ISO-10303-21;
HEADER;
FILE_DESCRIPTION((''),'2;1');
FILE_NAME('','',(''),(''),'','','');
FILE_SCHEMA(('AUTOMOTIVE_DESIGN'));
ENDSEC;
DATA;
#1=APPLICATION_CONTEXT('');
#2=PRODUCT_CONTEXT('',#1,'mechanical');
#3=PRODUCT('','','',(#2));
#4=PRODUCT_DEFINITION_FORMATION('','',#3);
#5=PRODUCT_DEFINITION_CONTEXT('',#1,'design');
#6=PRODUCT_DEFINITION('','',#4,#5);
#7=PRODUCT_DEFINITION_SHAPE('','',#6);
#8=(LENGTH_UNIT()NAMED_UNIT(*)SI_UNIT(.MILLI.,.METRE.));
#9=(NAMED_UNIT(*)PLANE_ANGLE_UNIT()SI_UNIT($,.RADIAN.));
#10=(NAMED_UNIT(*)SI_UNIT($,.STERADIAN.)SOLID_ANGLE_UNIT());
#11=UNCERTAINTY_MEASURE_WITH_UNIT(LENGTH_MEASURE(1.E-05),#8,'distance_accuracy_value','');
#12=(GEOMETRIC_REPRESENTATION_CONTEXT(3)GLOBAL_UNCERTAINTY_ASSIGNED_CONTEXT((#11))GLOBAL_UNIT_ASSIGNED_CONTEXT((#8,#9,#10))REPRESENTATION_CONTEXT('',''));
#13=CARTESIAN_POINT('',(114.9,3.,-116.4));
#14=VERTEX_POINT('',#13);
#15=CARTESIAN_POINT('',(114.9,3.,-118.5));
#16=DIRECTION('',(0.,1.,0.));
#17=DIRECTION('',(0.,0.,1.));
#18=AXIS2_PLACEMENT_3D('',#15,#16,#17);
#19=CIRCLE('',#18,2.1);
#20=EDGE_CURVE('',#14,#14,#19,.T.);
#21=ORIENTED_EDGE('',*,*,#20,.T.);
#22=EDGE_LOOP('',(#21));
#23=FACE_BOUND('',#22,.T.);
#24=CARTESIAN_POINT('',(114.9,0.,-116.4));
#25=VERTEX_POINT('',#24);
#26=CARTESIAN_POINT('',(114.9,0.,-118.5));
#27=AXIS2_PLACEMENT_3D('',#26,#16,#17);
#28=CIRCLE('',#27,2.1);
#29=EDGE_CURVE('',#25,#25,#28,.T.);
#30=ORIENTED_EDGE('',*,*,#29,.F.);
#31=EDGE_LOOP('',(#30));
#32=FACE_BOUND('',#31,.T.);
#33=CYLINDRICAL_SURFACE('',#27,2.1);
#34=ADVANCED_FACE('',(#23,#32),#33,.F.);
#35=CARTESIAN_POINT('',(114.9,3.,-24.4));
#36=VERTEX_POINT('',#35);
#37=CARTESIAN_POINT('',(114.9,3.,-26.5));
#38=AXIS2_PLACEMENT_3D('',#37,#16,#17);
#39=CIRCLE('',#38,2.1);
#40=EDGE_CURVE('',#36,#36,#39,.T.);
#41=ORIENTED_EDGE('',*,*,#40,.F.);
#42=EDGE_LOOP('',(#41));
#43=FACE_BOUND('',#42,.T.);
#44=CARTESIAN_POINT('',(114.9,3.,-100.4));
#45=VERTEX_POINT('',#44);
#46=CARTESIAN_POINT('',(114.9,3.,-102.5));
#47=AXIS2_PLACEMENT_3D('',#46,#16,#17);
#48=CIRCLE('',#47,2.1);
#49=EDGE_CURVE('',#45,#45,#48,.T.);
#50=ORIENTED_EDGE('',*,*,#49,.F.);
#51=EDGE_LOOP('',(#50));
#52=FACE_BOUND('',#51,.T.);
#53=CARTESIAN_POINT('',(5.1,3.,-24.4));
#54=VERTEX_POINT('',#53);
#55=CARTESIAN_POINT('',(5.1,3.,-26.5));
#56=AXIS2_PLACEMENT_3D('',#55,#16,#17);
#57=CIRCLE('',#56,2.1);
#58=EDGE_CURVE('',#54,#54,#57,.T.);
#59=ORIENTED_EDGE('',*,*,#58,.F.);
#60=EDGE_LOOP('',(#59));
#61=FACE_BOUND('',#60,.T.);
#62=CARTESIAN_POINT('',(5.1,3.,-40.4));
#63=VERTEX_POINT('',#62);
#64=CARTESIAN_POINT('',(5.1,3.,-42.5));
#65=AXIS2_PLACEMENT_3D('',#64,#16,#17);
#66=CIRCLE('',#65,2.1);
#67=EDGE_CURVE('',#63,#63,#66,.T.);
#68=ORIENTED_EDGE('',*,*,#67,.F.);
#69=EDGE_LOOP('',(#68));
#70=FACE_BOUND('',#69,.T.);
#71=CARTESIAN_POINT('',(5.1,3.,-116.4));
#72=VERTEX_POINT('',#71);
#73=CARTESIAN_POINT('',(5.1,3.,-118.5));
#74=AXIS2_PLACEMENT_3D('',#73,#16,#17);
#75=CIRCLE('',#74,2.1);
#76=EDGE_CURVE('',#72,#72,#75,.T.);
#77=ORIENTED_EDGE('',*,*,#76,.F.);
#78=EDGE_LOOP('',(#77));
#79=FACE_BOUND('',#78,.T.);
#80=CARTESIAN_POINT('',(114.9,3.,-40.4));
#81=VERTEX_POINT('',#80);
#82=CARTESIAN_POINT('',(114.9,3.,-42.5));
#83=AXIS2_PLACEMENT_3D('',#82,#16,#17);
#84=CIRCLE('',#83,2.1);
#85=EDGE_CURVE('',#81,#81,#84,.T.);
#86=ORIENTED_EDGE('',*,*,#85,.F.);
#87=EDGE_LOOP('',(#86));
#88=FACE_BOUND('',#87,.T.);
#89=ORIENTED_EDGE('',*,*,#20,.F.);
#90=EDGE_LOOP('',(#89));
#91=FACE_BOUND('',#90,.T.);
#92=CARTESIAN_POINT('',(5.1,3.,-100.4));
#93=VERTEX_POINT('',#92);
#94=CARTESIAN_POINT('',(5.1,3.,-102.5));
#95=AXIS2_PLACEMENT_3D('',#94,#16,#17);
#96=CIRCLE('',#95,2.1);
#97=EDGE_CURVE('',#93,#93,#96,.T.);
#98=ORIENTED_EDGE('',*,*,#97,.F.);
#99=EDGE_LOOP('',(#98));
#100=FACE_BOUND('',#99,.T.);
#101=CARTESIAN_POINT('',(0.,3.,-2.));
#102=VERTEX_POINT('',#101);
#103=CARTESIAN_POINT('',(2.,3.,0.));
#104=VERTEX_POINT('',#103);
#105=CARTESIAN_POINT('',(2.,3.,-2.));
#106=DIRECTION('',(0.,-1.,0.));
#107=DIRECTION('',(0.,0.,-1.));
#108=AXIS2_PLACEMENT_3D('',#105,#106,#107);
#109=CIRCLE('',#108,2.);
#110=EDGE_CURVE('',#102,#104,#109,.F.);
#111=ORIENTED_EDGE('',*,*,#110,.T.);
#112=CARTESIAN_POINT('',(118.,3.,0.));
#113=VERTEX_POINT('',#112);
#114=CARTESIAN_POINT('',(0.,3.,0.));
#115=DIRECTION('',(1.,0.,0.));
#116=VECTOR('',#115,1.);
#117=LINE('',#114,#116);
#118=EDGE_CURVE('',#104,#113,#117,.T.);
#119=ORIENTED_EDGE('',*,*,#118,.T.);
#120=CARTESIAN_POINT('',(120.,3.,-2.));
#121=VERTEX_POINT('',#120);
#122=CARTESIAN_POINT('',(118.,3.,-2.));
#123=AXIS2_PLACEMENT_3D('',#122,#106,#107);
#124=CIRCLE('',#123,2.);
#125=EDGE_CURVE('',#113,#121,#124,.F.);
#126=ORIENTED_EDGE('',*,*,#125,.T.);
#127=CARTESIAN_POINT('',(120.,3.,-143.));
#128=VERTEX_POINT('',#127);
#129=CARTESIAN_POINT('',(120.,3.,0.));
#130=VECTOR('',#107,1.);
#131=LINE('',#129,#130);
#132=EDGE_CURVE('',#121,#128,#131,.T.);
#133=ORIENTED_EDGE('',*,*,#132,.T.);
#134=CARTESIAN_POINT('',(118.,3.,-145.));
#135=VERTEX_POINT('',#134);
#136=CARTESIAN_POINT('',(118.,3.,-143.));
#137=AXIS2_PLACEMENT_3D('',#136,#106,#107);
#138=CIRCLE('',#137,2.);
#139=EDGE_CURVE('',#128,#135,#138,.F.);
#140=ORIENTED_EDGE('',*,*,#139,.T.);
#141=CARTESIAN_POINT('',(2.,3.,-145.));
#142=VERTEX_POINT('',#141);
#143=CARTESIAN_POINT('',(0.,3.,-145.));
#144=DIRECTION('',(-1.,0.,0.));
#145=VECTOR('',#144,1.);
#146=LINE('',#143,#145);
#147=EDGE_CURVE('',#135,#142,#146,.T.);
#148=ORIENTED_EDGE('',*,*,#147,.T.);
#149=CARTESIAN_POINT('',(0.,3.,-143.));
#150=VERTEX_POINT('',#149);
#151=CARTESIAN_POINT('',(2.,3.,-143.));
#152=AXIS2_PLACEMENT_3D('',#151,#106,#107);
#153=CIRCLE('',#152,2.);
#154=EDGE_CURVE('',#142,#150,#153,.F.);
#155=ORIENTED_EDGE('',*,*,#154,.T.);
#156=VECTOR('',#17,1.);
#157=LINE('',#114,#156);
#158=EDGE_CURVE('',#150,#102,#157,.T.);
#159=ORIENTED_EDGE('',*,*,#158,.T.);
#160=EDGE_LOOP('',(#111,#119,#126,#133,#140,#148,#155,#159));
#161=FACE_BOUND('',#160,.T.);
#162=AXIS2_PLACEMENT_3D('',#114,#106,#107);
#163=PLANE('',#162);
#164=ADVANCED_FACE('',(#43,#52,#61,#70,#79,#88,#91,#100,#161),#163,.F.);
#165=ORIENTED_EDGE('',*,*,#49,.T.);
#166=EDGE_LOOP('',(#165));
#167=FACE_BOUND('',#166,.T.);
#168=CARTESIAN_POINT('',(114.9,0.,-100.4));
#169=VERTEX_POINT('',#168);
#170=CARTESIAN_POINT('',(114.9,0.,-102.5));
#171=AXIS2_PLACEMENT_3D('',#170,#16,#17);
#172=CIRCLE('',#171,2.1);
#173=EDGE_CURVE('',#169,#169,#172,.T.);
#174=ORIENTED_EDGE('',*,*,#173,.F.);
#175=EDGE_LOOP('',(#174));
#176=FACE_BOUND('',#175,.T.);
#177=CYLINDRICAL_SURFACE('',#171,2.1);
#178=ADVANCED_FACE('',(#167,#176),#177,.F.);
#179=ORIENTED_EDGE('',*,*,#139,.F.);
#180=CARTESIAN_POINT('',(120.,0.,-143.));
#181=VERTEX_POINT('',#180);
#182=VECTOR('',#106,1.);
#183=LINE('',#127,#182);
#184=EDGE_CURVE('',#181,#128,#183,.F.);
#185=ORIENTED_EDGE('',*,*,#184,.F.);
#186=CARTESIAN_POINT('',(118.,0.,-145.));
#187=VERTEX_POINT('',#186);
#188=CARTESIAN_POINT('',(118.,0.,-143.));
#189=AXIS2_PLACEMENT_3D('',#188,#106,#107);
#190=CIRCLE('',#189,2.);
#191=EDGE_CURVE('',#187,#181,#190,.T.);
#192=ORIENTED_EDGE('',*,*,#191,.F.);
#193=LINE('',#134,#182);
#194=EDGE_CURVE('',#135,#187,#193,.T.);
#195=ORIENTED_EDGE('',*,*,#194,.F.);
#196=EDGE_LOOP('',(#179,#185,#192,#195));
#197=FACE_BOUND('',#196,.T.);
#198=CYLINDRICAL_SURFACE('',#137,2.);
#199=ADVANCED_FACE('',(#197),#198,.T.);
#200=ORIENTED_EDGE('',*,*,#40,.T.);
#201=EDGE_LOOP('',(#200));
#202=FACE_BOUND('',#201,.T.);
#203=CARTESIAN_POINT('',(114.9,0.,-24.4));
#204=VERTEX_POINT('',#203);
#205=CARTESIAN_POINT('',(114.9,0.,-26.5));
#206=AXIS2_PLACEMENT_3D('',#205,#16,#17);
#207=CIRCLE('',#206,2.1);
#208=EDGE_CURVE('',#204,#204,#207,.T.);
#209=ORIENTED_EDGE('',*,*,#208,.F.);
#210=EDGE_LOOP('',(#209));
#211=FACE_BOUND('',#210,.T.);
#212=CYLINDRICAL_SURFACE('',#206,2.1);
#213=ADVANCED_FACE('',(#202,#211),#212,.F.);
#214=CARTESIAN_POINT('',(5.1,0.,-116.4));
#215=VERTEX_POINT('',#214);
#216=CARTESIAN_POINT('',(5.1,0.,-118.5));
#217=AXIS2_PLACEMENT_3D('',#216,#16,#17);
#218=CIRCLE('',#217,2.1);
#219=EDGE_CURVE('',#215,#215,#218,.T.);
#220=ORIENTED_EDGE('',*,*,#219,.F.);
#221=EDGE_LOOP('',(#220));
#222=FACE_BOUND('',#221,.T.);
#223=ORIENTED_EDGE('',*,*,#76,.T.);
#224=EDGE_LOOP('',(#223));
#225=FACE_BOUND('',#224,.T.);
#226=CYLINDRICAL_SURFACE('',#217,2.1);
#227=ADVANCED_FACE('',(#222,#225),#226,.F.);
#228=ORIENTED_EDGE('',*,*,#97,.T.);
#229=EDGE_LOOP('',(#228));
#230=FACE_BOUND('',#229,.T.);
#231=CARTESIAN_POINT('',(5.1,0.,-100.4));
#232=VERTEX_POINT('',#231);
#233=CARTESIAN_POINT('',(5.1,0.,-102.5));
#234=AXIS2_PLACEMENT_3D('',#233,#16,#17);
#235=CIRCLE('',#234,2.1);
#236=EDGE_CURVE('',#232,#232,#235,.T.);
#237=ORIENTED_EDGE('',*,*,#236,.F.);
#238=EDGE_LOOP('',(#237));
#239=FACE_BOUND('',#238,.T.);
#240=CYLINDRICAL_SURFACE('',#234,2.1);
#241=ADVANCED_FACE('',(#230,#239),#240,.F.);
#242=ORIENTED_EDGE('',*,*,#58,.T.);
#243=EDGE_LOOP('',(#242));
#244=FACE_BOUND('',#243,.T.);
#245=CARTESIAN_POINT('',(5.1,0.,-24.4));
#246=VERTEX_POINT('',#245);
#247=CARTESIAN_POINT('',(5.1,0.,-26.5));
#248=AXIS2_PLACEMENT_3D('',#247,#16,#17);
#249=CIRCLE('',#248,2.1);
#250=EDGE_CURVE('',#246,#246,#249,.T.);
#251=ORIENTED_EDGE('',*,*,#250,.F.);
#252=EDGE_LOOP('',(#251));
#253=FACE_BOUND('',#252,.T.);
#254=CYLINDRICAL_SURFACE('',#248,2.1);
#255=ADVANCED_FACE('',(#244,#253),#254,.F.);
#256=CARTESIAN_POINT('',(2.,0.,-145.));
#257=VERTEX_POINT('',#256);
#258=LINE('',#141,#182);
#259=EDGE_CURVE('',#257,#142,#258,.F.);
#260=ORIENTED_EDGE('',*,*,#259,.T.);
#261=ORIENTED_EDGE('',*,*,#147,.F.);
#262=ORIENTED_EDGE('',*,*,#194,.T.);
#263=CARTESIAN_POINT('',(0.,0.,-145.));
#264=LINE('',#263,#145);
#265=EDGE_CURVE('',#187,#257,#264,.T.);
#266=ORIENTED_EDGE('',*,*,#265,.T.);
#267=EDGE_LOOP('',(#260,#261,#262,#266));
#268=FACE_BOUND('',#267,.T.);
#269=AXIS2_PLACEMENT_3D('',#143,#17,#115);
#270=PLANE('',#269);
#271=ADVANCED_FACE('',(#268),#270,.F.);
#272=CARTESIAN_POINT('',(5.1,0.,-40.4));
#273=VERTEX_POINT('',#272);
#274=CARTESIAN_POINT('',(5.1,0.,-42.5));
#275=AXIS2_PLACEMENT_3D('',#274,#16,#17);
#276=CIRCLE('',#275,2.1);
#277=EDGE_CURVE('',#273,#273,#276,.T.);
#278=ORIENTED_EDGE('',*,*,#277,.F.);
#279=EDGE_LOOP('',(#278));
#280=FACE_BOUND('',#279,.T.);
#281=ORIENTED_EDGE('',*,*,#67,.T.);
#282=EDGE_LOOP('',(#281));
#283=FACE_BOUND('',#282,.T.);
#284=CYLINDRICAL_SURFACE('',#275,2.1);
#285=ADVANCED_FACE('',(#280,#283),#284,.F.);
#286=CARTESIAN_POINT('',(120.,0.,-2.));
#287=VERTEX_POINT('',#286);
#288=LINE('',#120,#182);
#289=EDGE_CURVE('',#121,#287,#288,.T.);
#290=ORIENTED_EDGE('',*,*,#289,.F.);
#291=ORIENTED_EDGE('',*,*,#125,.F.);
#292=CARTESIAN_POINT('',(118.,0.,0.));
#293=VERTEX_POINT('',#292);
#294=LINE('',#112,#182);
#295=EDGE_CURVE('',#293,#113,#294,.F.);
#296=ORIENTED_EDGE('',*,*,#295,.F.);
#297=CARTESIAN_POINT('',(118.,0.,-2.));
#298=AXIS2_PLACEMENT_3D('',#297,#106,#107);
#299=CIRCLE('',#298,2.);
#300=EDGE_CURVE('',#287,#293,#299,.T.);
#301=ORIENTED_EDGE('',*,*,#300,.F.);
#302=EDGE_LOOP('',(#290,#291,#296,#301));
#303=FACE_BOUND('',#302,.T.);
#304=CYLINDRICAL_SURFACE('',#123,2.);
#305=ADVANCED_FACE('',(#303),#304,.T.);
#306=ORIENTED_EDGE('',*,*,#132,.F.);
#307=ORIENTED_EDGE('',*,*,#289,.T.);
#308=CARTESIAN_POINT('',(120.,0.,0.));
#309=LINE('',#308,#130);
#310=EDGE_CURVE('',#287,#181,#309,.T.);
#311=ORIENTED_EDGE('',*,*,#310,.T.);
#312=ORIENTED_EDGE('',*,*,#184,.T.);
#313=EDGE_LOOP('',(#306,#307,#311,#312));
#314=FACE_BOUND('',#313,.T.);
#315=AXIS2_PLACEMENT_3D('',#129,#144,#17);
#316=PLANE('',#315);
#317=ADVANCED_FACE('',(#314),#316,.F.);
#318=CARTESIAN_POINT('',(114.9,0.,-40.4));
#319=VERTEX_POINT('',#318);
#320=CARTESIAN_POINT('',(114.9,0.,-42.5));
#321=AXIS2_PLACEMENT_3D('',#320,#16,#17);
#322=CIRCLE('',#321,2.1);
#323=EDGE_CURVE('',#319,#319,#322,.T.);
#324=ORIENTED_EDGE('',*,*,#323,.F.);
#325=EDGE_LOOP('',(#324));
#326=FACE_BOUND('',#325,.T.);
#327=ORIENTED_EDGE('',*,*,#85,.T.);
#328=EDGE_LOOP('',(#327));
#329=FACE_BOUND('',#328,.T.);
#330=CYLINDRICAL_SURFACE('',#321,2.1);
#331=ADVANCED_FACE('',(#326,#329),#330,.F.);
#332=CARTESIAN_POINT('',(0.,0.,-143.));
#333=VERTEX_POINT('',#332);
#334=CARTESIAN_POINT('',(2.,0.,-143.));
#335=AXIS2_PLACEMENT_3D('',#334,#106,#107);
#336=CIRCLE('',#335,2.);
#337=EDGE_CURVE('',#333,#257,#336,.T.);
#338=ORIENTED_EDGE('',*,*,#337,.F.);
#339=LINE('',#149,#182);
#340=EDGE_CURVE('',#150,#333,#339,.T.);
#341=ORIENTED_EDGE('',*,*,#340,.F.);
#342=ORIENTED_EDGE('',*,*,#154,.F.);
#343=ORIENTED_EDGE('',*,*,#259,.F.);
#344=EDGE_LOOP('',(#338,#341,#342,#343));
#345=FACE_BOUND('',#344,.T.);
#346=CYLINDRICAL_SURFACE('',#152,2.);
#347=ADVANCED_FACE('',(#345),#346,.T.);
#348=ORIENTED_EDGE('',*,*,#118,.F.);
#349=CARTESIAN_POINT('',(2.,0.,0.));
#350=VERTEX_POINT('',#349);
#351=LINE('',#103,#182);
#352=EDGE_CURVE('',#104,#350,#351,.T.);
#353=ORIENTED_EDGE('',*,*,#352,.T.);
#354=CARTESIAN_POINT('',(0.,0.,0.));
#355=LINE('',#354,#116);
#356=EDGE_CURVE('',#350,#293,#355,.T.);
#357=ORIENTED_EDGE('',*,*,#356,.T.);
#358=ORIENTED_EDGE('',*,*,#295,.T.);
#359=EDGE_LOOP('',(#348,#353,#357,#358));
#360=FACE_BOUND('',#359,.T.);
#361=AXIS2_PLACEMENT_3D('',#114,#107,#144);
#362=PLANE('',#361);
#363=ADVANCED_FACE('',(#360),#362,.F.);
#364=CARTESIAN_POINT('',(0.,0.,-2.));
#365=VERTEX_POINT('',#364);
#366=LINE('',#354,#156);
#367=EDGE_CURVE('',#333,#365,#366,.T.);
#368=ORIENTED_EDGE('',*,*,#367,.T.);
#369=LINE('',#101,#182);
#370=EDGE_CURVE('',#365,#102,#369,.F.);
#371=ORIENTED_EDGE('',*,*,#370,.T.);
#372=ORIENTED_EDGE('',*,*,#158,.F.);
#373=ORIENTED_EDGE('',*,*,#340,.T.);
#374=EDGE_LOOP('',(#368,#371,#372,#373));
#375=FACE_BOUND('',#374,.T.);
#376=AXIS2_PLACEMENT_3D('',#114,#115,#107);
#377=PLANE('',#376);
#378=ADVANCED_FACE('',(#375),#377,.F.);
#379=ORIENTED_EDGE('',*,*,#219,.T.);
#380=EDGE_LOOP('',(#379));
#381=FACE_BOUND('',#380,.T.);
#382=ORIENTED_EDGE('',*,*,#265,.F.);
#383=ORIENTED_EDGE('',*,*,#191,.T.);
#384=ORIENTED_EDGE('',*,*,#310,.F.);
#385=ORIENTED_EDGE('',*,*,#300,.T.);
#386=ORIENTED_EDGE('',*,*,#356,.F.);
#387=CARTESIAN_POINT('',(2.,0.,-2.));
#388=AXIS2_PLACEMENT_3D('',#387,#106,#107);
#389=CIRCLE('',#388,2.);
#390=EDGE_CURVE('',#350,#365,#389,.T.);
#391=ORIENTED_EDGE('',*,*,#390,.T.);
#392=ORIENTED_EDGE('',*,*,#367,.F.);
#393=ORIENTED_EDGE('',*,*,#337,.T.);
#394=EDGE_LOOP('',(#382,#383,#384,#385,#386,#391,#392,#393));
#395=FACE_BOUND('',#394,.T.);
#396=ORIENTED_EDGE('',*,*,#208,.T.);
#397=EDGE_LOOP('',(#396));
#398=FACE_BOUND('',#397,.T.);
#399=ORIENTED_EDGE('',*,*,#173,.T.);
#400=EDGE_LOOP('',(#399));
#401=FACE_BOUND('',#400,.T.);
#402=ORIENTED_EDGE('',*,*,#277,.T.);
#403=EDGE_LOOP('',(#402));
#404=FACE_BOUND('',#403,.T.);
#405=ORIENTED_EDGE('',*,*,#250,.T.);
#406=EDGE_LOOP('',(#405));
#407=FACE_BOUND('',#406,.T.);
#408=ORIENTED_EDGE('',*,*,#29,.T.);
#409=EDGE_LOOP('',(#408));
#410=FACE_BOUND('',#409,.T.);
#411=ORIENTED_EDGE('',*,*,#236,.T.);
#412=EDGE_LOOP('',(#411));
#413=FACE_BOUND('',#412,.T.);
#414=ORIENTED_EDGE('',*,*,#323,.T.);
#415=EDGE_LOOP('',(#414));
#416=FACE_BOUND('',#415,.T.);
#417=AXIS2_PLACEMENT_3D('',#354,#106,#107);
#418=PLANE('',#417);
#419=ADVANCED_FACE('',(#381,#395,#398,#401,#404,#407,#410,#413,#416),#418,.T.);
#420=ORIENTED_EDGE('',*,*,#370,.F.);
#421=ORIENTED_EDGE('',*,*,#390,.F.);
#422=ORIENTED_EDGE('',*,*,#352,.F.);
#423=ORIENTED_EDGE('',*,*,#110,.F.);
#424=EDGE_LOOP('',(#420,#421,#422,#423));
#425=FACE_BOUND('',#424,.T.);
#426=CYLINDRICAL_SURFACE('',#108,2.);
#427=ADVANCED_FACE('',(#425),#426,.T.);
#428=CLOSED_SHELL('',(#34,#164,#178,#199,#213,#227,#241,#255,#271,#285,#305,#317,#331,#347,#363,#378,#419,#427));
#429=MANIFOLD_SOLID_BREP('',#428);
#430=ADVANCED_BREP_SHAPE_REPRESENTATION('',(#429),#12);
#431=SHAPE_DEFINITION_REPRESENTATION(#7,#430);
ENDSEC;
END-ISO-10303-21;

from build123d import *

# Parameters (mm, degrees)
SKETCH1_W           = 120
SKETCH1_H           = 145
BOSS_EXTRUDE1_DEPTH = 3
SKETCH2_R           = 2.1
CUT_EXTRUDE1_DEPTH  = 4
FILLET1_R           = 2


with BuildPart() as part:
    # Sketch1 → Boss-Extrude1 (new body)
    with BuildSketch(Plane(origin=(0, 0, 0), x_dir=(1, 0, 0), z_dir=(0, 1, 0))):
        with Locations((60, 72.5)):
            Rectangle(SKETCH1_W, SKETCH1_H)
    extrude(amount=BOSS_EXTRUDE1_DEPTH)

    # Sketch2 → Cut-Extrude1 (cut, through all)
    with BuildSketch(Plane(origin=(0, 3, 3), x_dir=(1, 0, 0), z_dir=(0, 1, 0))):
        with Locations((5.1, 121.5)):
            Circle(SKETCH2_R)
        with Locations((5.1, 105.5)):
            Circle(SKETCH2_R)
        with Locations((5.1, 45.5)):
            Circle(SKETCH2_R)
        with Locations((5.1, 29.5)):
            Circle(SKETCH2_R)
        with Locations((114.9, 29.5)):
            Circle(SKETCH2_R)
        with Locations((114.9, 45.5)):
            Circle(SKETCH2_R)
        with Locations((114.9, 105.5)):
            Circle(SKETCH2_R)
        with Locations((114.9, 121.5)):
            Circle(SKETCH2_R)
    extrude(amount=-CUT_EXTRUDE1_DEPTH, mode=Mode.SUBTRACT)

    # Fillet1
    fillet1_edges = [part.edges().sort_by_distance(p)[0] for p in [
        (0, 1.5, -145),
        (120, 1.5, -145),
        (120, 1.5, 0),
        (0, 1.5, 0),
    ]]
    fillet(fillet1_edges, radius=FILLET1_R)


solid = part.part
